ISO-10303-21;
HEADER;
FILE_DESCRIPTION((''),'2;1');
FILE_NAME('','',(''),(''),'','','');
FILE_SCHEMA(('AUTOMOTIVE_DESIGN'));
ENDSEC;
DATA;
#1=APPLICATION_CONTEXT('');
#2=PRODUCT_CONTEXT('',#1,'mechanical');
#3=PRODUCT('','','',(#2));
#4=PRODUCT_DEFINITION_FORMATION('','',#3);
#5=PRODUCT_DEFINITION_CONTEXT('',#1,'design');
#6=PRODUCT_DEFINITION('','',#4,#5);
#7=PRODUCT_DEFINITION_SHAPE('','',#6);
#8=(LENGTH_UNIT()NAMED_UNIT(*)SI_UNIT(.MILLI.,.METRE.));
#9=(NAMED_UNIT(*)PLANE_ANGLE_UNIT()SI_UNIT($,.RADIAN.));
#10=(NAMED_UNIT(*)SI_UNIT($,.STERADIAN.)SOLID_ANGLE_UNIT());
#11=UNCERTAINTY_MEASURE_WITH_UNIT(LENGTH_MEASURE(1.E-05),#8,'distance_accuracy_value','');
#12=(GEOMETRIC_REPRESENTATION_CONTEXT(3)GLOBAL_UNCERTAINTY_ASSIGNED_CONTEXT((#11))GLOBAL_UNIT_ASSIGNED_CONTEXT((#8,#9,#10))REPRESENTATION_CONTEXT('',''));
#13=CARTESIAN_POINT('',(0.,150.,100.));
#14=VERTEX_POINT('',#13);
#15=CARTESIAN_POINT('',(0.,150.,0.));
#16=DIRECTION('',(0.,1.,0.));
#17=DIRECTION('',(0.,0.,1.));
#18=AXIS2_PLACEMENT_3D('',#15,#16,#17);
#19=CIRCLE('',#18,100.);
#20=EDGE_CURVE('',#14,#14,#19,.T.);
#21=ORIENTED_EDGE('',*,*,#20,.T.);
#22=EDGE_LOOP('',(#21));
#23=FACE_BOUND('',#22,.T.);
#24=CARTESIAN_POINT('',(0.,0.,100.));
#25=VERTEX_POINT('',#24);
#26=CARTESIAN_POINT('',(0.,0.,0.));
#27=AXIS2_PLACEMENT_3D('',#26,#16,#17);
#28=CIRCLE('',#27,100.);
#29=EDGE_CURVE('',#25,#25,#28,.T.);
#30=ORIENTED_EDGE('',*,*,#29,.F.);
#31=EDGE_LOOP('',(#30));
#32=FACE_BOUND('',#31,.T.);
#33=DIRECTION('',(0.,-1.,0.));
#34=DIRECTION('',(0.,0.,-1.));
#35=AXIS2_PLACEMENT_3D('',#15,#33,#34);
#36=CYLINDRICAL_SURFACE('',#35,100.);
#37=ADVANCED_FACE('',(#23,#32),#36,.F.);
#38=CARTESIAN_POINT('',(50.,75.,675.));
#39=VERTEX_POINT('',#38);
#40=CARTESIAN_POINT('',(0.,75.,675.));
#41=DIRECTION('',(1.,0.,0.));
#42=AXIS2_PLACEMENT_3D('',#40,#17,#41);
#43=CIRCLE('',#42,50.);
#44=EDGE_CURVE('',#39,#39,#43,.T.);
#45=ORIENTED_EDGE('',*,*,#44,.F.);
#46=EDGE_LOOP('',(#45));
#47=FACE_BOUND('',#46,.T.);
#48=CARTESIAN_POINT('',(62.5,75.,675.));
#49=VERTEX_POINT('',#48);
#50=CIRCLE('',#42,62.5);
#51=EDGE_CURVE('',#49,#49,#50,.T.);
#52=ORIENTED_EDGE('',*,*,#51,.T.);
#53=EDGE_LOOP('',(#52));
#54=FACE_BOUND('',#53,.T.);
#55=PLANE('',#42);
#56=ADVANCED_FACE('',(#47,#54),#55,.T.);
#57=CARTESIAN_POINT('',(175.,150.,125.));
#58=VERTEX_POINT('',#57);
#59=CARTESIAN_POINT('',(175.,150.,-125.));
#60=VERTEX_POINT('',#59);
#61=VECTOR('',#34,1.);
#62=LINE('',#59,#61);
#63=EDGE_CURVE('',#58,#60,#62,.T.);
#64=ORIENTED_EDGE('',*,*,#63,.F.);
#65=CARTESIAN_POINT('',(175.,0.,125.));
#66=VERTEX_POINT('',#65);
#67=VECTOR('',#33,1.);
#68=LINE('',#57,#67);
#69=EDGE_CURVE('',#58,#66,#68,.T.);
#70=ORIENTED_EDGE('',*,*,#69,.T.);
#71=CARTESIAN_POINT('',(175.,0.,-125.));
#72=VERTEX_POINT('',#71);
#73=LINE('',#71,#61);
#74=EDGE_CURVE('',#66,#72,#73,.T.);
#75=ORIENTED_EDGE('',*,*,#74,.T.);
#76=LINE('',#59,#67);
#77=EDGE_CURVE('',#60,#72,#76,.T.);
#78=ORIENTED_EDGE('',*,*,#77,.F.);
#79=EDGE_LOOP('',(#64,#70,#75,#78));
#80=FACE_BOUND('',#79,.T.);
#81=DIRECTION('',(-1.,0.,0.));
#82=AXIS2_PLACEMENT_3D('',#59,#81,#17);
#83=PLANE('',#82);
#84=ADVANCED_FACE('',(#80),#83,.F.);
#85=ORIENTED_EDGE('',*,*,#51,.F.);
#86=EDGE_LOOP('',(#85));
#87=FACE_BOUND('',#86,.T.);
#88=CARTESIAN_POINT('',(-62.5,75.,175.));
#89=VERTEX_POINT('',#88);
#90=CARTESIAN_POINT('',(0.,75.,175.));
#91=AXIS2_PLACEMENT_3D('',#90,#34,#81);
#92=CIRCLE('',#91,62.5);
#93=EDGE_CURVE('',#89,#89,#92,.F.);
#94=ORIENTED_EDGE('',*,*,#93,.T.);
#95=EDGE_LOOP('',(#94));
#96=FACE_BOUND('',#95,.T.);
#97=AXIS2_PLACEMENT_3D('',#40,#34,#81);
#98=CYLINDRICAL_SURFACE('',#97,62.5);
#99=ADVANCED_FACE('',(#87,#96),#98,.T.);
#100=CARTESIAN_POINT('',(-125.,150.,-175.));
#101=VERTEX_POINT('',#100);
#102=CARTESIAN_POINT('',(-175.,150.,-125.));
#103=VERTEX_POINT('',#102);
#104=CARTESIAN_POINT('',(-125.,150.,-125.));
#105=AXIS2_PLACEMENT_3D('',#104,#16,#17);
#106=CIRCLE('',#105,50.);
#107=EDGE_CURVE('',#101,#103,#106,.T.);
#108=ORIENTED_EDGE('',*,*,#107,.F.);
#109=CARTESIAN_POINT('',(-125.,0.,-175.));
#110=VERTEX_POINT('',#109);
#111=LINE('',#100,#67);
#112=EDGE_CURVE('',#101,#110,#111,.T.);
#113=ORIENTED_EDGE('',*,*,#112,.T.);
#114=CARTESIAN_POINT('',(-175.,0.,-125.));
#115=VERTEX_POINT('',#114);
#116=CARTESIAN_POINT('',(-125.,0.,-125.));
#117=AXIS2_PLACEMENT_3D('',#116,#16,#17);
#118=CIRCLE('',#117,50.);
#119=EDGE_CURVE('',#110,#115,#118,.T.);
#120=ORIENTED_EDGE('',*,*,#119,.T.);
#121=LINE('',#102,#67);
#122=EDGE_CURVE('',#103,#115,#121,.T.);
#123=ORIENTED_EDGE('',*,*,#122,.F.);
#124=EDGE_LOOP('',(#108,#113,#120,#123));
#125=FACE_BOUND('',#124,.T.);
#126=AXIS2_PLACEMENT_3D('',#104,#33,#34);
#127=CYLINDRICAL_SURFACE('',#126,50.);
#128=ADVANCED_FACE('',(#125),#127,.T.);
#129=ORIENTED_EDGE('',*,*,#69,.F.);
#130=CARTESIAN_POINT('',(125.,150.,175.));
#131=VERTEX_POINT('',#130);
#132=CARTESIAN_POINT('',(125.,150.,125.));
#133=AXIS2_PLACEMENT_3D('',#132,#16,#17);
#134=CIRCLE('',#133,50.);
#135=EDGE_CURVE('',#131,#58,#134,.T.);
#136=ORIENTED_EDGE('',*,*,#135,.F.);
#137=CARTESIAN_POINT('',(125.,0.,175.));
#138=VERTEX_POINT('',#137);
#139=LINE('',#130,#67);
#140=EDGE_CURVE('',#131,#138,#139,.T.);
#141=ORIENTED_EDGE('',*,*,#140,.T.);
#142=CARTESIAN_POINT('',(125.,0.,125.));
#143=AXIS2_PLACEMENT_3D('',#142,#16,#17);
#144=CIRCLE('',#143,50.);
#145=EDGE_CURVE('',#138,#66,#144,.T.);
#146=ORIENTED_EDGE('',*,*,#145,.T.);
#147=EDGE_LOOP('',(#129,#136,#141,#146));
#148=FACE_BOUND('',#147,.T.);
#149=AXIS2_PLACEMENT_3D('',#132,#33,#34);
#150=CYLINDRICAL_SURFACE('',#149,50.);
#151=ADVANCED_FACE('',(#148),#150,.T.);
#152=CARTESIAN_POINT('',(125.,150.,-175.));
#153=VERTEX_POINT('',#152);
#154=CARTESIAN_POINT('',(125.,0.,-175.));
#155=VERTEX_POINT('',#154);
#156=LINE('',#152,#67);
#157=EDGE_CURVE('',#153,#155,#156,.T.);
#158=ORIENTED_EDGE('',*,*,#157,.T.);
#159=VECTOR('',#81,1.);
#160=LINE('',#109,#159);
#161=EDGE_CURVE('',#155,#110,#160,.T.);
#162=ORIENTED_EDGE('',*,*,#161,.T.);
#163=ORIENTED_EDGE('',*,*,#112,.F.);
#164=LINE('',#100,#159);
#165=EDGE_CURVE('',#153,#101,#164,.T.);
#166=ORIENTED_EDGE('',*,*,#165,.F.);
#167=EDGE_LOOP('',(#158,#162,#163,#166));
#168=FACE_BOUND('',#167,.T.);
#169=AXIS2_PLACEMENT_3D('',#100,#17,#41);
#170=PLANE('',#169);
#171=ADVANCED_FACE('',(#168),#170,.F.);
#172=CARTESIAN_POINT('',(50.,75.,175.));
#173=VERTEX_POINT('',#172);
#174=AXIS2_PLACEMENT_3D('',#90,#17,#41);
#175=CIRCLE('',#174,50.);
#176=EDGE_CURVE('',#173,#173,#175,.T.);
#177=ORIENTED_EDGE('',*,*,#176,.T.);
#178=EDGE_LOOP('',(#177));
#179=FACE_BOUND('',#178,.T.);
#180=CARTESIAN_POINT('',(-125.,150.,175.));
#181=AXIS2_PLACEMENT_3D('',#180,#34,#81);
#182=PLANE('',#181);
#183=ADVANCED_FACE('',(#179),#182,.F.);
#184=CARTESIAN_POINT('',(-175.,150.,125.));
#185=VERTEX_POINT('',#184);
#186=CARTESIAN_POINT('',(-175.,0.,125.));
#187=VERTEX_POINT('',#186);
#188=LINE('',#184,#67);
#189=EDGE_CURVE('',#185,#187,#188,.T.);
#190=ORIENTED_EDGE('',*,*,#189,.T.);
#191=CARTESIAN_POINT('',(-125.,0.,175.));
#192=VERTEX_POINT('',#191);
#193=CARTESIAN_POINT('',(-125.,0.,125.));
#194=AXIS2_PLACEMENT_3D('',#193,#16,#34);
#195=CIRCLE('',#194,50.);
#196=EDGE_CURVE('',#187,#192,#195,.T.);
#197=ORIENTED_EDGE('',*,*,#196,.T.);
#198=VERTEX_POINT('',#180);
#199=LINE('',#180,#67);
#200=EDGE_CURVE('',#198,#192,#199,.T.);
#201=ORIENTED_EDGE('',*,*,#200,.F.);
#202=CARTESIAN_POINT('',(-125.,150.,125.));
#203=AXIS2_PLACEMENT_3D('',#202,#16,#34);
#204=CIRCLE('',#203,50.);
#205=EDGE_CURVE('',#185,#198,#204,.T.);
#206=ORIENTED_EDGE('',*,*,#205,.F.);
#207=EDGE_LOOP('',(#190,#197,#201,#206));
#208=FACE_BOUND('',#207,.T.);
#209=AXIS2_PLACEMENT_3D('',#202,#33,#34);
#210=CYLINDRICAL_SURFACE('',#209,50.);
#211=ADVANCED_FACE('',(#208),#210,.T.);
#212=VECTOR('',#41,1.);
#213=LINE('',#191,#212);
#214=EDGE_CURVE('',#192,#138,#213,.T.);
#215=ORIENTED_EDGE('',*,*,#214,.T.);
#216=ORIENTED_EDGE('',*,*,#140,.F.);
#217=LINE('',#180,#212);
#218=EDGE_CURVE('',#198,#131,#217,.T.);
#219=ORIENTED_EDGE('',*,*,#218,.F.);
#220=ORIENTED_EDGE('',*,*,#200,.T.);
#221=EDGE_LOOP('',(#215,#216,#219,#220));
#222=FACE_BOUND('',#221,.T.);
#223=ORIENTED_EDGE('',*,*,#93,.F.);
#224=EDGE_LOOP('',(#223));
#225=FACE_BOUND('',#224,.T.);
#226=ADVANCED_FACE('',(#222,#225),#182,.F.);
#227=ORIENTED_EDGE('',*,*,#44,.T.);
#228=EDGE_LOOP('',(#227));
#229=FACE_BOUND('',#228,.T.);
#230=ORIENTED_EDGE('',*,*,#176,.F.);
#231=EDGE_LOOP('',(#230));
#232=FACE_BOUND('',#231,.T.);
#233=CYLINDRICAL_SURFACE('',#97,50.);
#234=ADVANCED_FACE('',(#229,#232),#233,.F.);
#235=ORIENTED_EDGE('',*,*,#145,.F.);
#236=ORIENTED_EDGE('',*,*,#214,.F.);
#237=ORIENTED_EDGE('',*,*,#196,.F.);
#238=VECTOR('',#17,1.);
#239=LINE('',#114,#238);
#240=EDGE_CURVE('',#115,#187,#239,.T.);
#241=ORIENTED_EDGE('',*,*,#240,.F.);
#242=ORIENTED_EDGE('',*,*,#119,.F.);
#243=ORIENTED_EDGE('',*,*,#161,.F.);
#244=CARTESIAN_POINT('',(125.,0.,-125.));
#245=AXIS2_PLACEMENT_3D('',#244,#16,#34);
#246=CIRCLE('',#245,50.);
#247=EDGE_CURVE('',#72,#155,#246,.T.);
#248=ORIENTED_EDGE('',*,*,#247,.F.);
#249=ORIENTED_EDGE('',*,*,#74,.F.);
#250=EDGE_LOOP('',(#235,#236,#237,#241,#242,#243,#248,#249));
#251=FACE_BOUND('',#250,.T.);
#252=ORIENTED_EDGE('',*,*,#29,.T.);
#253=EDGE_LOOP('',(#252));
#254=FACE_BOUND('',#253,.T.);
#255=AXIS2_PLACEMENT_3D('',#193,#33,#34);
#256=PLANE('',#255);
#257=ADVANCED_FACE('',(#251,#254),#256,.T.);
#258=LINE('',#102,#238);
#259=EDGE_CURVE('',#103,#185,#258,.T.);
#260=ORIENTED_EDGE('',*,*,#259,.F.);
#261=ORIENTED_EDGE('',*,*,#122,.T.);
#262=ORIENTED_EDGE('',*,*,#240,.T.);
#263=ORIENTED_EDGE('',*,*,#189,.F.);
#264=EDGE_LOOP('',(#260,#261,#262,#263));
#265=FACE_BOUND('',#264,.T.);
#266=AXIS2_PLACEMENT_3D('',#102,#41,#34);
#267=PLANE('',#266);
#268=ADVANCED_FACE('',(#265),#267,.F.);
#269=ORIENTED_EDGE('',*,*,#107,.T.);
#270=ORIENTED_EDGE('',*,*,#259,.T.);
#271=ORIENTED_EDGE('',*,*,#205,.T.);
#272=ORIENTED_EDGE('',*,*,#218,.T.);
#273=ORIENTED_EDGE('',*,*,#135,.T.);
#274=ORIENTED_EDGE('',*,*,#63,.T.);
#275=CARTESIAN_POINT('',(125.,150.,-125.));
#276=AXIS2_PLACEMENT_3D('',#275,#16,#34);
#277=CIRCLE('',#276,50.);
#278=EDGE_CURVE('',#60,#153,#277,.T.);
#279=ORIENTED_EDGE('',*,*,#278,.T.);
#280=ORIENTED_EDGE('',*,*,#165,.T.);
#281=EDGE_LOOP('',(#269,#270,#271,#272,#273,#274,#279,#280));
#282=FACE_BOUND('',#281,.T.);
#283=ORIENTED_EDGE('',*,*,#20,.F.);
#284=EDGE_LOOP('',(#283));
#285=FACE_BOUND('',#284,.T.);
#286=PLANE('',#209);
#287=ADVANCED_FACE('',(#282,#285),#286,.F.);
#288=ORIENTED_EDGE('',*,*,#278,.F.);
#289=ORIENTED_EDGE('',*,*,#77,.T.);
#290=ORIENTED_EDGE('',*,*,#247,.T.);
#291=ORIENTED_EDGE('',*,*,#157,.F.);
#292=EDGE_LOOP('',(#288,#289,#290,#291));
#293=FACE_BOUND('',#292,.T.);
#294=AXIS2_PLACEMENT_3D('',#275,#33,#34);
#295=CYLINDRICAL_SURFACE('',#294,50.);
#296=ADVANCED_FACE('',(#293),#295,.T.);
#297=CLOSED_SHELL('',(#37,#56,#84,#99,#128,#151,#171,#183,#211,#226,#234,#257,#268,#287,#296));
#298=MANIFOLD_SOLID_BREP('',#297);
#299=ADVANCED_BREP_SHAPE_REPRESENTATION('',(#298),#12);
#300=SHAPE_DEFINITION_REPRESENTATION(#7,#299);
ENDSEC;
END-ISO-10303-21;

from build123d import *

# Parameters (mm, degrees)
SKETCH1_R           = 100
BOSS_EXTRUDE1_DEPTH = 150
SKETCH4_R           = 62.5
SKETCH4_R_2         = 50
BOSS_EXTRUDE3_DEPTH = 500


with BuildPart() as part:
    # Sketch1 → Boss-Extrude1 (new body)
    with BuildSketch(Plane(origin=(0, 0, 0), x_dir=(1, 0, 0), z_dir=(0, 1, 0))):
        with BuildLine():
            Line((-125, 175), (125, 175))
            ThreePointArc((125, 175), (160.355339059, 160.355339059), (175, 125))
            Line((175, 125), (175, -125))
            ThreePointArc((175, -125), (160.355339059, -160.355339059), (125, -175))
            Line((125, -175), (-125, -175))
            ThreePointArc((-125, -175), (-160.355339059, -160.355339059), (-175, -125))
            Line((-175, -125), (-175, 125))
            ThreePointArc((-175, 125), (-160.355339059, 160.355339059), (-125, 175))
        make_face()
        with Locations(Location((0, 0, 0), (0, 0, 270))):
            Circle(SKETCH1_R, mode=Mode.SUBTRACT)
    extrude(amount=BOSS_EXTRUDE1_DEPTH)

    # Sketch4 → Boss-Extrude3 (add)
    with BuildSketch(Plane.XY.offset(175)):
        with Locations(Location((0, 75, 0), (0, 0, 180))):
            Circle(SKETCH4_R)
        with Locations((0, 75)):
            Circle(SKETCH4_R_2, mode=Mode.SUBTRACT)
    extrude(amount=BOSS_EXTRUDE3_DEPTH)


solid = part.part
